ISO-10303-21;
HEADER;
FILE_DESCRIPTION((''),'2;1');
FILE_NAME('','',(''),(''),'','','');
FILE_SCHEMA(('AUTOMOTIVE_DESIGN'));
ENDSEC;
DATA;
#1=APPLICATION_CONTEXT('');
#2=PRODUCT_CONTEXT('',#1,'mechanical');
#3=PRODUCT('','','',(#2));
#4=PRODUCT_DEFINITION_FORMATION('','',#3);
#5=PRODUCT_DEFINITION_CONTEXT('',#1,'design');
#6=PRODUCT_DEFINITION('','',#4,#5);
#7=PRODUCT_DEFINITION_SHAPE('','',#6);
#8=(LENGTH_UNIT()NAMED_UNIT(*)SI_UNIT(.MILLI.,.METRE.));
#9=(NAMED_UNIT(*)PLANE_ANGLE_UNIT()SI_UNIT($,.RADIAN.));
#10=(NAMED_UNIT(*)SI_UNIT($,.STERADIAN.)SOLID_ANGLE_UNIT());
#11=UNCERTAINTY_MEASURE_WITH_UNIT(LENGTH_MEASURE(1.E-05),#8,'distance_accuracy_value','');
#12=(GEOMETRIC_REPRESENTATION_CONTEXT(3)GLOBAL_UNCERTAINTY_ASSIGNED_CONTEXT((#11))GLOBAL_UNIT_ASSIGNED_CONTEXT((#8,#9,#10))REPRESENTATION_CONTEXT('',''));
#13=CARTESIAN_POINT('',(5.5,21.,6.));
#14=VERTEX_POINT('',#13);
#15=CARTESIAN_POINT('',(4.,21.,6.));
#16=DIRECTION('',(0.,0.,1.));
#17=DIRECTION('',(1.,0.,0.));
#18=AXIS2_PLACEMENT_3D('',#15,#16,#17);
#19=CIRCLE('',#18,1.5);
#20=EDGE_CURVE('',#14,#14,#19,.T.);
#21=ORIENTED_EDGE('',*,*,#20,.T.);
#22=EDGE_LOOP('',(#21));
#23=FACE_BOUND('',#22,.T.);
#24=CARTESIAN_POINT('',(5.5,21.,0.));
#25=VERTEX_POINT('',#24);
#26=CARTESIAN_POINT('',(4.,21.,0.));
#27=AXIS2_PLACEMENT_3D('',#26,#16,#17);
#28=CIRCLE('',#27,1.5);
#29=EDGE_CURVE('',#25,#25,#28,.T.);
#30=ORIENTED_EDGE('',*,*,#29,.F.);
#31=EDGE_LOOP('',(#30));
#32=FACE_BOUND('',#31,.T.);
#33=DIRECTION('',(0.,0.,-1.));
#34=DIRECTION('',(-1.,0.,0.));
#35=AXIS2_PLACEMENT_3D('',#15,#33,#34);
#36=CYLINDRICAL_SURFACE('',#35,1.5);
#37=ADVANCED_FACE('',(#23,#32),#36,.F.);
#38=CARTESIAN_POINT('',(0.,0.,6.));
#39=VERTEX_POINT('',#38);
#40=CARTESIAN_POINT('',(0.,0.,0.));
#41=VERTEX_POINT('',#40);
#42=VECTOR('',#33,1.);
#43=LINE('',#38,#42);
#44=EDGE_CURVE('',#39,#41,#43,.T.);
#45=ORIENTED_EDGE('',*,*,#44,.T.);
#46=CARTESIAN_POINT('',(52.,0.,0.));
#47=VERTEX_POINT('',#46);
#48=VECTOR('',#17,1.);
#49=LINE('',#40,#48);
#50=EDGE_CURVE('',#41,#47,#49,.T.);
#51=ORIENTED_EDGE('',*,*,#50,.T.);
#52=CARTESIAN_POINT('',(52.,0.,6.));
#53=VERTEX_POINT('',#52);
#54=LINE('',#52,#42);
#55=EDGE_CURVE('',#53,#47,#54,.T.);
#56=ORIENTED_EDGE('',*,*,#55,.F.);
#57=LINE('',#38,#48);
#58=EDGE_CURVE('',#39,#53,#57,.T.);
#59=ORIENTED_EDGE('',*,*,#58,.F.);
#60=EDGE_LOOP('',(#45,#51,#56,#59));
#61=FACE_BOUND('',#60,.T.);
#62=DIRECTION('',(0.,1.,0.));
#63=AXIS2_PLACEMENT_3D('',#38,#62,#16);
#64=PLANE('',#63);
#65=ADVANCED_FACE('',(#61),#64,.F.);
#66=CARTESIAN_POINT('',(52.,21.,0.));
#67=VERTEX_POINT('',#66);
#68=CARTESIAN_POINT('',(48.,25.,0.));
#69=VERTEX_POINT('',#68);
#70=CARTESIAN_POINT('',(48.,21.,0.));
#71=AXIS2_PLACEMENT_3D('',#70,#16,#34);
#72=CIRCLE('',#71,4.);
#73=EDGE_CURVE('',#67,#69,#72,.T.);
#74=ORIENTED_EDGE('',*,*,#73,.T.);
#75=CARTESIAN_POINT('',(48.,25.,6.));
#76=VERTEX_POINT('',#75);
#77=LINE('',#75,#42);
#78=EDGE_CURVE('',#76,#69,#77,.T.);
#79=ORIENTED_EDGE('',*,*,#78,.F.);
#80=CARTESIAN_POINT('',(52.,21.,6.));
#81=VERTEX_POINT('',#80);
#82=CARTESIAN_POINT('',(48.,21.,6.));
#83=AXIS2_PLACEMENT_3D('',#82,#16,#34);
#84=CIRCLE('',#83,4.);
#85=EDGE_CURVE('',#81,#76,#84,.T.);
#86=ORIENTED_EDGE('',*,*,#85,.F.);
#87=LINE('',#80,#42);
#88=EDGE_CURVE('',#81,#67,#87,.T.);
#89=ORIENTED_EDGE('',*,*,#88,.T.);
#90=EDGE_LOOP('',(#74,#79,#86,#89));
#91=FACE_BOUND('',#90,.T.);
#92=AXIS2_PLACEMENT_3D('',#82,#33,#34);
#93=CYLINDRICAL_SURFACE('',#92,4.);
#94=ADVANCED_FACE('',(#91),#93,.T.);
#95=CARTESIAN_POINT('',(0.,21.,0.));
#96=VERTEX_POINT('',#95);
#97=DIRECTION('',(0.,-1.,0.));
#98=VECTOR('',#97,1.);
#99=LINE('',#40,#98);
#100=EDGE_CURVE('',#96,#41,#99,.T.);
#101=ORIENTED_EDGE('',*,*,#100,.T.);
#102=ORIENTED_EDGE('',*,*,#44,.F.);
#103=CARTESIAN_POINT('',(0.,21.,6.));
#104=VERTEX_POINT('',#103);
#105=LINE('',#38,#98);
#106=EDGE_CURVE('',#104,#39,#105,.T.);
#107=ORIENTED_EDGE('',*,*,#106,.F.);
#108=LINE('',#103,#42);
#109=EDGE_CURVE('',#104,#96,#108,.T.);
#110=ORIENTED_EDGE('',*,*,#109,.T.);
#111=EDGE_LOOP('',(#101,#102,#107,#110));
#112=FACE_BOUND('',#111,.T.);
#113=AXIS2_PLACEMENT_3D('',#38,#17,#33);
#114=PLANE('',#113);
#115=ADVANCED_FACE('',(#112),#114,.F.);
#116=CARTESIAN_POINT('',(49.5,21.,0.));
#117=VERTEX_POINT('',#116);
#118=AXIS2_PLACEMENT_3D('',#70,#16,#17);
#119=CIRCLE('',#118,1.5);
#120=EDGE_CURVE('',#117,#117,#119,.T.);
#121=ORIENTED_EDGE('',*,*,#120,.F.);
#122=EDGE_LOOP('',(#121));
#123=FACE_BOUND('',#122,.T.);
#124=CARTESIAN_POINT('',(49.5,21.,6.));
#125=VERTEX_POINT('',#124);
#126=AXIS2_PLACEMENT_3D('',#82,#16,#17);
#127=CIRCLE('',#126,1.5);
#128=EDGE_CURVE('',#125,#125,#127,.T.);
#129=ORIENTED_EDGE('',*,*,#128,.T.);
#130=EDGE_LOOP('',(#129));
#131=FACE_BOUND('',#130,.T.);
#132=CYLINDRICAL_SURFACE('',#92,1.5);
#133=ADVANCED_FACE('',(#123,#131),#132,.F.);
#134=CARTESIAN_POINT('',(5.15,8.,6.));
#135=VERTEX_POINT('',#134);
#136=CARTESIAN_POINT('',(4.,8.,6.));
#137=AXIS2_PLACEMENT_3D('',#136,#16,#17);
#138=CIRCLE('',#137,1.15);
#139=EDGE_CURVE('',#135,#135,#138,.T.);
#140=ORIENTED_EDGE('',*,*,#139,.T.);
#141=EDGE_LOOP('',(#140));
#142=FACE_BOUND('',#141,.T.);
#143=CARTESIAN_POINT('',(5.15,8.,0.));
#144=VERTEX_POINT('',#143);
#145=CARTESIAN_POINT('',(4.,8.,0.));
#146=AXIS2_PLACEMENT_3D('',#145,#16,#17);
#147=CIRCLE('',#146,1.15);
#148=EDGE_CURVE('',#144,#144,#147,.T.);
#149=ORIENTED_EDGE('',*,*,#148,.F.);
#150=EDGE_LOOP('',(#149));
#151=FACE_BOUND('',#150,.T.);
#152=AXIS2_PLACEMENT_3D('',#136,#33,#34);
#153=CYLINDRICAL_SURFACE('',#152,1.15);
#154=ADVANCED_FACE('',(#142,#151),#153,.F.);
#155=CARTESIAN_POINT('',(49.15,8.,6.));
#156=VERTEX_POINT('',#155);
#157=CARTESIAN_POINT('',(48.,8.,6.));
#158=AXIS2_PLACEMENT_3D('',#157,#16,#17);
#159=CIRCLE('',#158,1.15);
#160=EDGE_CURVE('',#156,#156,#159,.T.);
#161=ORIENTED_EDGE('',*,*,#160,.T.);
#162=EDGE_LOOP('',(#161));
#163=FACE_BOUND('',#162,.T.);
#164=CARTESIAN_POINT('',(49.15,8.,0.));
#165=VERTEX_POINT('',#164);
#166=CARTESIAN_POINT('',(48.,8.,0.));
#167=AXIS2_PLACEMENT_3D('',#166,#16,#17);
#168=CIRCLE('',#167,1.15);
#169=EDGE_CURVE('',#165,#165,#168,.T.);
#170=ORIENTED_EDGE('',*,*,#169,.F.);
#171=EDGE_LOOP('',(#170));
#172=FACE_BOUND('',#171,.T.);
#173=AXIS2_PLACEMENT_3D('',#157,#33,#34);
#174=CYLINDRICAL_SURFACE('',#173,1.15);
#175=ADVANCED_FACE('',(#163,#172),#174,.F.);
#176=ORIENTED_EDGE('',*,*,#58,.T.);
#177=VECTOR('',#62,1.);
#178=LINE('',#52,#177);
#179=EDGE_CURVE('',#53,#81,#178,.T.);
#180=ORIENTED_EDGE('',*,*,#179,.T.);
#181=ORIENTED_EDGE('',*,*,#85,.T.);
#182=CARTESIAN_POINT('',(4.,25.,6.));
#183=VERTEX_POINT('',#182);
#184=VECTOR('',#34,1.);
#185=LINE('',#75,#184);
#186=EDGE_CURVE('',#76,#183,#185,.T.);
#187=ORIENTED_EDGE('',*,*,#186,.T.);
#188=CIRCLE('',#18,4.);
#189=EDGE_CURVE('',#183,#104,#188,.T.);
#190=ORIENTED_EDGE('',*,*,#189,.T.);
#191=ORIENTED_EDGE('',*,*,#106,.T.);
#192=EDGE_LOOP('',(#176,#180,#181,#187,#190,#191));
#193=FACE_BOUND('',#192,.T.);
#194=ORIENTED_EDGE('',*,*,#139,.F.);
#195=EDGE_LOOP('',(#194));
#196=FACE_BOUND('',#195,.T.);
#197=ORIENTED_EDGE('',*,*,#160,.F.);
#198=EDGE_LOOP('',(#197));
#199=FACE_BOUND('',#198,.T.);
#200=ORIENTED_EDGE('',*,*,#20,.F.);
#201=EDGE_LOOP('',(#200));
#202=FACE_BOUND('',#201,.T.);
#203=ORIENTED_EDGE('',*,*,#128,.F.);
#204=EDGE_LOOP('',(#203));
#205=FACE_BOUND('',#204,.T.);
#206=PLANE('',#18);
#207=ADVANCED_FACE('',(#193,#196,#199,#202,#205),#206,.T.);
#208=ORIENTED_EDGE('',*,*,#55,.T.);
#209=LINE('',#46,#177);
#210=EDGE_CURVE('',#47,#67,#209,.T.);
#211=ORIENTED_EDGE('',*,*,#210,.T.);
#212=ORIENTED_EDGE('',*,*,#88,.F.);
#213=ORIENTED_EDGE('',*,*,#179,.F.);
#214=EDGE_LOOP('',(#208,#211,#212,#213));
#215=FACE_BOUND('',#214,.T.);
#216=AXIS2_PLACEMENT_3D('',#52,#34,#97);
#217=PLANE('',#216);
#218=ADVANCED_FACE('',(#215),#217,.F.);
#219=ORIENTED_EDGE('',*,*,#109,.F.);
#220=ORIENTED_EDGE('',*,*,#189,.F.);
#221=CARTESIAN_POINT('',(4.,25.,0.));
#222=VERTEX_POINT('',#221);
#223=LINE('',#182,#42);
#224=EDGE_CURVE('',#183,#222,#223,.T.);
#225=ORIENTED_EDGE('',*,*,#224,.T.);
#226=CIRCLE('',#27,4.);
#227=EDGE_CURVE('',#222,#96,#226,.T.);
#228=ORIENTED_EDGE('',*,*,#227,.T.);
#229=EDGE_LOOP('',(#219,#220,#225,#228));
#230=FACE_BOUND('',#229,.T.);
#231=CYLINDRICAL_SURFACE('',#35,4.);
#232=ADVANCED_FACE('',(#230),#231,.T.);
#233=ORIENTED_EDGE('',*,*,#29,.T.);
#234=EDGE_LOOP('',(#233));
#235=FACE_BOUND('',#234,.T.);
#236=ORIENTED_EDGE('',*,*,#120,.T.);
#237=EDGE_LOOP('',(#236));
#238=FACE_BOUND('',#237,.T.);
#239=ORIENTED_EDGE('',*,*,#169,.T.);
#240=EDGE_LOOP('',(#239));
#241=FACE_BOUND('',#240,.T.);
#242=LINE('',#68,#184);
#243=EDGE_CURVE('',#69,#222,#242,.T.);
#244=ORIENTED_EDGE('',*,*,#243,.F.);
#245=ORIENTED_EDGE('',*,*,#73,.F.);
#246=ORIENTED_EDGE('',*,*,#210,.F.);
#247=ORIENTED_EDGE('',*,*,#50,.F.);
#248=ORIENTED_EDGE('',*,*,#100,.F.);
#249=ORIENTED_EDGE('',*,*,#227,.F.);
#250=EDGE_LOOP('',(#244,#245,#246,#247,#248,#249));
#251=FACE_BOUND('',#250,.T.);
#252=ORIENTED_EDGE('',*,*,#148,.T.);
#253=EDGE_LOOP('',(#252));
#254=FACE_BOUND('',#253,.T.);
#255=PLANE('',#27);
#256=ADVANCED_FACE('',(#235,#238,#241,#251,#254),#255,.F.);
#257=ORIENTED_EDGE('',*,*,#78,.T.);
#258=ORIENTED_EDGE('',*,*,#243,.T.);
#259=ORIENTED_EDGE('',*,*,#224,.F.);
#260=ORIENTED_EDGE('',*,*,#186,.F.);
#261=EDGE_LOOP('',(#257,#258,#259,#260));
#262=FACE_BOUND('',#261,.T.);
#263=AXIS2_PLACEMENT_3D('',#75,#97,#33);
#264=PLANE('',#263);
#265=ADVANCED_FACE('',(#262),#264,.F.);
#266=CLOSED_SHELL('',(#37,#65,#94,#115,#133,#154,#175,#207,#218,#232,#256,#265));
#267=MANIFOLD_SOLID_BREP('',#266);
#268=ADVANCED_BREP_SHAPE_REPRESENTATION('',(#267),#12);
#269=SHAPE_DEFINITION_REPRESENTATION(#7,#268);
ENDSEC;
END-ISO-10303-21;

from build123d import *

# Parameters (mm, degrees)
SKETCH1_R           = 1.5
SKETCH1_R_2         = 1.15
BOSS_EXTRUDE1_DEPTH = 6


with BuildPart() as part:
    # Sketch1 → Boss-Extrude1 (new body)
    with BuildSketch(Plane.XY):
        with BuildLine():
            Line((0, 0), (52, 0))
            Line((52, 0), (52, 21))
            ThreePointArc((52, 21), (50.828427125, 23.828427125), (48, 25))
            Line((48, 25), (4, 25))
            ThreePointArc((4, 25), (1.171572875, 23.828427125), (0, 21))
            Line((0, 21), (0, 0))
        make_face()
        with Locations((4, 21)):
            Circle(SKETCH1_R, mode=Mode.SUBTRACT)
        with Locations((48, 21)):
            Circle(SKETCH1_R, mode=Mode.SUBTRACT)
        with Locations((4, 8)):
            Circle(SKETCH1_R_2, mode=Mode.SUBTRACT)
        with Locations((48, 8)):
            Circle(SKETCH1_R_2, mode=Mode.SUBTRACT)
    extrude(amount=BOSS_EXTRUDE1_DEPTH)


solid = part.part
